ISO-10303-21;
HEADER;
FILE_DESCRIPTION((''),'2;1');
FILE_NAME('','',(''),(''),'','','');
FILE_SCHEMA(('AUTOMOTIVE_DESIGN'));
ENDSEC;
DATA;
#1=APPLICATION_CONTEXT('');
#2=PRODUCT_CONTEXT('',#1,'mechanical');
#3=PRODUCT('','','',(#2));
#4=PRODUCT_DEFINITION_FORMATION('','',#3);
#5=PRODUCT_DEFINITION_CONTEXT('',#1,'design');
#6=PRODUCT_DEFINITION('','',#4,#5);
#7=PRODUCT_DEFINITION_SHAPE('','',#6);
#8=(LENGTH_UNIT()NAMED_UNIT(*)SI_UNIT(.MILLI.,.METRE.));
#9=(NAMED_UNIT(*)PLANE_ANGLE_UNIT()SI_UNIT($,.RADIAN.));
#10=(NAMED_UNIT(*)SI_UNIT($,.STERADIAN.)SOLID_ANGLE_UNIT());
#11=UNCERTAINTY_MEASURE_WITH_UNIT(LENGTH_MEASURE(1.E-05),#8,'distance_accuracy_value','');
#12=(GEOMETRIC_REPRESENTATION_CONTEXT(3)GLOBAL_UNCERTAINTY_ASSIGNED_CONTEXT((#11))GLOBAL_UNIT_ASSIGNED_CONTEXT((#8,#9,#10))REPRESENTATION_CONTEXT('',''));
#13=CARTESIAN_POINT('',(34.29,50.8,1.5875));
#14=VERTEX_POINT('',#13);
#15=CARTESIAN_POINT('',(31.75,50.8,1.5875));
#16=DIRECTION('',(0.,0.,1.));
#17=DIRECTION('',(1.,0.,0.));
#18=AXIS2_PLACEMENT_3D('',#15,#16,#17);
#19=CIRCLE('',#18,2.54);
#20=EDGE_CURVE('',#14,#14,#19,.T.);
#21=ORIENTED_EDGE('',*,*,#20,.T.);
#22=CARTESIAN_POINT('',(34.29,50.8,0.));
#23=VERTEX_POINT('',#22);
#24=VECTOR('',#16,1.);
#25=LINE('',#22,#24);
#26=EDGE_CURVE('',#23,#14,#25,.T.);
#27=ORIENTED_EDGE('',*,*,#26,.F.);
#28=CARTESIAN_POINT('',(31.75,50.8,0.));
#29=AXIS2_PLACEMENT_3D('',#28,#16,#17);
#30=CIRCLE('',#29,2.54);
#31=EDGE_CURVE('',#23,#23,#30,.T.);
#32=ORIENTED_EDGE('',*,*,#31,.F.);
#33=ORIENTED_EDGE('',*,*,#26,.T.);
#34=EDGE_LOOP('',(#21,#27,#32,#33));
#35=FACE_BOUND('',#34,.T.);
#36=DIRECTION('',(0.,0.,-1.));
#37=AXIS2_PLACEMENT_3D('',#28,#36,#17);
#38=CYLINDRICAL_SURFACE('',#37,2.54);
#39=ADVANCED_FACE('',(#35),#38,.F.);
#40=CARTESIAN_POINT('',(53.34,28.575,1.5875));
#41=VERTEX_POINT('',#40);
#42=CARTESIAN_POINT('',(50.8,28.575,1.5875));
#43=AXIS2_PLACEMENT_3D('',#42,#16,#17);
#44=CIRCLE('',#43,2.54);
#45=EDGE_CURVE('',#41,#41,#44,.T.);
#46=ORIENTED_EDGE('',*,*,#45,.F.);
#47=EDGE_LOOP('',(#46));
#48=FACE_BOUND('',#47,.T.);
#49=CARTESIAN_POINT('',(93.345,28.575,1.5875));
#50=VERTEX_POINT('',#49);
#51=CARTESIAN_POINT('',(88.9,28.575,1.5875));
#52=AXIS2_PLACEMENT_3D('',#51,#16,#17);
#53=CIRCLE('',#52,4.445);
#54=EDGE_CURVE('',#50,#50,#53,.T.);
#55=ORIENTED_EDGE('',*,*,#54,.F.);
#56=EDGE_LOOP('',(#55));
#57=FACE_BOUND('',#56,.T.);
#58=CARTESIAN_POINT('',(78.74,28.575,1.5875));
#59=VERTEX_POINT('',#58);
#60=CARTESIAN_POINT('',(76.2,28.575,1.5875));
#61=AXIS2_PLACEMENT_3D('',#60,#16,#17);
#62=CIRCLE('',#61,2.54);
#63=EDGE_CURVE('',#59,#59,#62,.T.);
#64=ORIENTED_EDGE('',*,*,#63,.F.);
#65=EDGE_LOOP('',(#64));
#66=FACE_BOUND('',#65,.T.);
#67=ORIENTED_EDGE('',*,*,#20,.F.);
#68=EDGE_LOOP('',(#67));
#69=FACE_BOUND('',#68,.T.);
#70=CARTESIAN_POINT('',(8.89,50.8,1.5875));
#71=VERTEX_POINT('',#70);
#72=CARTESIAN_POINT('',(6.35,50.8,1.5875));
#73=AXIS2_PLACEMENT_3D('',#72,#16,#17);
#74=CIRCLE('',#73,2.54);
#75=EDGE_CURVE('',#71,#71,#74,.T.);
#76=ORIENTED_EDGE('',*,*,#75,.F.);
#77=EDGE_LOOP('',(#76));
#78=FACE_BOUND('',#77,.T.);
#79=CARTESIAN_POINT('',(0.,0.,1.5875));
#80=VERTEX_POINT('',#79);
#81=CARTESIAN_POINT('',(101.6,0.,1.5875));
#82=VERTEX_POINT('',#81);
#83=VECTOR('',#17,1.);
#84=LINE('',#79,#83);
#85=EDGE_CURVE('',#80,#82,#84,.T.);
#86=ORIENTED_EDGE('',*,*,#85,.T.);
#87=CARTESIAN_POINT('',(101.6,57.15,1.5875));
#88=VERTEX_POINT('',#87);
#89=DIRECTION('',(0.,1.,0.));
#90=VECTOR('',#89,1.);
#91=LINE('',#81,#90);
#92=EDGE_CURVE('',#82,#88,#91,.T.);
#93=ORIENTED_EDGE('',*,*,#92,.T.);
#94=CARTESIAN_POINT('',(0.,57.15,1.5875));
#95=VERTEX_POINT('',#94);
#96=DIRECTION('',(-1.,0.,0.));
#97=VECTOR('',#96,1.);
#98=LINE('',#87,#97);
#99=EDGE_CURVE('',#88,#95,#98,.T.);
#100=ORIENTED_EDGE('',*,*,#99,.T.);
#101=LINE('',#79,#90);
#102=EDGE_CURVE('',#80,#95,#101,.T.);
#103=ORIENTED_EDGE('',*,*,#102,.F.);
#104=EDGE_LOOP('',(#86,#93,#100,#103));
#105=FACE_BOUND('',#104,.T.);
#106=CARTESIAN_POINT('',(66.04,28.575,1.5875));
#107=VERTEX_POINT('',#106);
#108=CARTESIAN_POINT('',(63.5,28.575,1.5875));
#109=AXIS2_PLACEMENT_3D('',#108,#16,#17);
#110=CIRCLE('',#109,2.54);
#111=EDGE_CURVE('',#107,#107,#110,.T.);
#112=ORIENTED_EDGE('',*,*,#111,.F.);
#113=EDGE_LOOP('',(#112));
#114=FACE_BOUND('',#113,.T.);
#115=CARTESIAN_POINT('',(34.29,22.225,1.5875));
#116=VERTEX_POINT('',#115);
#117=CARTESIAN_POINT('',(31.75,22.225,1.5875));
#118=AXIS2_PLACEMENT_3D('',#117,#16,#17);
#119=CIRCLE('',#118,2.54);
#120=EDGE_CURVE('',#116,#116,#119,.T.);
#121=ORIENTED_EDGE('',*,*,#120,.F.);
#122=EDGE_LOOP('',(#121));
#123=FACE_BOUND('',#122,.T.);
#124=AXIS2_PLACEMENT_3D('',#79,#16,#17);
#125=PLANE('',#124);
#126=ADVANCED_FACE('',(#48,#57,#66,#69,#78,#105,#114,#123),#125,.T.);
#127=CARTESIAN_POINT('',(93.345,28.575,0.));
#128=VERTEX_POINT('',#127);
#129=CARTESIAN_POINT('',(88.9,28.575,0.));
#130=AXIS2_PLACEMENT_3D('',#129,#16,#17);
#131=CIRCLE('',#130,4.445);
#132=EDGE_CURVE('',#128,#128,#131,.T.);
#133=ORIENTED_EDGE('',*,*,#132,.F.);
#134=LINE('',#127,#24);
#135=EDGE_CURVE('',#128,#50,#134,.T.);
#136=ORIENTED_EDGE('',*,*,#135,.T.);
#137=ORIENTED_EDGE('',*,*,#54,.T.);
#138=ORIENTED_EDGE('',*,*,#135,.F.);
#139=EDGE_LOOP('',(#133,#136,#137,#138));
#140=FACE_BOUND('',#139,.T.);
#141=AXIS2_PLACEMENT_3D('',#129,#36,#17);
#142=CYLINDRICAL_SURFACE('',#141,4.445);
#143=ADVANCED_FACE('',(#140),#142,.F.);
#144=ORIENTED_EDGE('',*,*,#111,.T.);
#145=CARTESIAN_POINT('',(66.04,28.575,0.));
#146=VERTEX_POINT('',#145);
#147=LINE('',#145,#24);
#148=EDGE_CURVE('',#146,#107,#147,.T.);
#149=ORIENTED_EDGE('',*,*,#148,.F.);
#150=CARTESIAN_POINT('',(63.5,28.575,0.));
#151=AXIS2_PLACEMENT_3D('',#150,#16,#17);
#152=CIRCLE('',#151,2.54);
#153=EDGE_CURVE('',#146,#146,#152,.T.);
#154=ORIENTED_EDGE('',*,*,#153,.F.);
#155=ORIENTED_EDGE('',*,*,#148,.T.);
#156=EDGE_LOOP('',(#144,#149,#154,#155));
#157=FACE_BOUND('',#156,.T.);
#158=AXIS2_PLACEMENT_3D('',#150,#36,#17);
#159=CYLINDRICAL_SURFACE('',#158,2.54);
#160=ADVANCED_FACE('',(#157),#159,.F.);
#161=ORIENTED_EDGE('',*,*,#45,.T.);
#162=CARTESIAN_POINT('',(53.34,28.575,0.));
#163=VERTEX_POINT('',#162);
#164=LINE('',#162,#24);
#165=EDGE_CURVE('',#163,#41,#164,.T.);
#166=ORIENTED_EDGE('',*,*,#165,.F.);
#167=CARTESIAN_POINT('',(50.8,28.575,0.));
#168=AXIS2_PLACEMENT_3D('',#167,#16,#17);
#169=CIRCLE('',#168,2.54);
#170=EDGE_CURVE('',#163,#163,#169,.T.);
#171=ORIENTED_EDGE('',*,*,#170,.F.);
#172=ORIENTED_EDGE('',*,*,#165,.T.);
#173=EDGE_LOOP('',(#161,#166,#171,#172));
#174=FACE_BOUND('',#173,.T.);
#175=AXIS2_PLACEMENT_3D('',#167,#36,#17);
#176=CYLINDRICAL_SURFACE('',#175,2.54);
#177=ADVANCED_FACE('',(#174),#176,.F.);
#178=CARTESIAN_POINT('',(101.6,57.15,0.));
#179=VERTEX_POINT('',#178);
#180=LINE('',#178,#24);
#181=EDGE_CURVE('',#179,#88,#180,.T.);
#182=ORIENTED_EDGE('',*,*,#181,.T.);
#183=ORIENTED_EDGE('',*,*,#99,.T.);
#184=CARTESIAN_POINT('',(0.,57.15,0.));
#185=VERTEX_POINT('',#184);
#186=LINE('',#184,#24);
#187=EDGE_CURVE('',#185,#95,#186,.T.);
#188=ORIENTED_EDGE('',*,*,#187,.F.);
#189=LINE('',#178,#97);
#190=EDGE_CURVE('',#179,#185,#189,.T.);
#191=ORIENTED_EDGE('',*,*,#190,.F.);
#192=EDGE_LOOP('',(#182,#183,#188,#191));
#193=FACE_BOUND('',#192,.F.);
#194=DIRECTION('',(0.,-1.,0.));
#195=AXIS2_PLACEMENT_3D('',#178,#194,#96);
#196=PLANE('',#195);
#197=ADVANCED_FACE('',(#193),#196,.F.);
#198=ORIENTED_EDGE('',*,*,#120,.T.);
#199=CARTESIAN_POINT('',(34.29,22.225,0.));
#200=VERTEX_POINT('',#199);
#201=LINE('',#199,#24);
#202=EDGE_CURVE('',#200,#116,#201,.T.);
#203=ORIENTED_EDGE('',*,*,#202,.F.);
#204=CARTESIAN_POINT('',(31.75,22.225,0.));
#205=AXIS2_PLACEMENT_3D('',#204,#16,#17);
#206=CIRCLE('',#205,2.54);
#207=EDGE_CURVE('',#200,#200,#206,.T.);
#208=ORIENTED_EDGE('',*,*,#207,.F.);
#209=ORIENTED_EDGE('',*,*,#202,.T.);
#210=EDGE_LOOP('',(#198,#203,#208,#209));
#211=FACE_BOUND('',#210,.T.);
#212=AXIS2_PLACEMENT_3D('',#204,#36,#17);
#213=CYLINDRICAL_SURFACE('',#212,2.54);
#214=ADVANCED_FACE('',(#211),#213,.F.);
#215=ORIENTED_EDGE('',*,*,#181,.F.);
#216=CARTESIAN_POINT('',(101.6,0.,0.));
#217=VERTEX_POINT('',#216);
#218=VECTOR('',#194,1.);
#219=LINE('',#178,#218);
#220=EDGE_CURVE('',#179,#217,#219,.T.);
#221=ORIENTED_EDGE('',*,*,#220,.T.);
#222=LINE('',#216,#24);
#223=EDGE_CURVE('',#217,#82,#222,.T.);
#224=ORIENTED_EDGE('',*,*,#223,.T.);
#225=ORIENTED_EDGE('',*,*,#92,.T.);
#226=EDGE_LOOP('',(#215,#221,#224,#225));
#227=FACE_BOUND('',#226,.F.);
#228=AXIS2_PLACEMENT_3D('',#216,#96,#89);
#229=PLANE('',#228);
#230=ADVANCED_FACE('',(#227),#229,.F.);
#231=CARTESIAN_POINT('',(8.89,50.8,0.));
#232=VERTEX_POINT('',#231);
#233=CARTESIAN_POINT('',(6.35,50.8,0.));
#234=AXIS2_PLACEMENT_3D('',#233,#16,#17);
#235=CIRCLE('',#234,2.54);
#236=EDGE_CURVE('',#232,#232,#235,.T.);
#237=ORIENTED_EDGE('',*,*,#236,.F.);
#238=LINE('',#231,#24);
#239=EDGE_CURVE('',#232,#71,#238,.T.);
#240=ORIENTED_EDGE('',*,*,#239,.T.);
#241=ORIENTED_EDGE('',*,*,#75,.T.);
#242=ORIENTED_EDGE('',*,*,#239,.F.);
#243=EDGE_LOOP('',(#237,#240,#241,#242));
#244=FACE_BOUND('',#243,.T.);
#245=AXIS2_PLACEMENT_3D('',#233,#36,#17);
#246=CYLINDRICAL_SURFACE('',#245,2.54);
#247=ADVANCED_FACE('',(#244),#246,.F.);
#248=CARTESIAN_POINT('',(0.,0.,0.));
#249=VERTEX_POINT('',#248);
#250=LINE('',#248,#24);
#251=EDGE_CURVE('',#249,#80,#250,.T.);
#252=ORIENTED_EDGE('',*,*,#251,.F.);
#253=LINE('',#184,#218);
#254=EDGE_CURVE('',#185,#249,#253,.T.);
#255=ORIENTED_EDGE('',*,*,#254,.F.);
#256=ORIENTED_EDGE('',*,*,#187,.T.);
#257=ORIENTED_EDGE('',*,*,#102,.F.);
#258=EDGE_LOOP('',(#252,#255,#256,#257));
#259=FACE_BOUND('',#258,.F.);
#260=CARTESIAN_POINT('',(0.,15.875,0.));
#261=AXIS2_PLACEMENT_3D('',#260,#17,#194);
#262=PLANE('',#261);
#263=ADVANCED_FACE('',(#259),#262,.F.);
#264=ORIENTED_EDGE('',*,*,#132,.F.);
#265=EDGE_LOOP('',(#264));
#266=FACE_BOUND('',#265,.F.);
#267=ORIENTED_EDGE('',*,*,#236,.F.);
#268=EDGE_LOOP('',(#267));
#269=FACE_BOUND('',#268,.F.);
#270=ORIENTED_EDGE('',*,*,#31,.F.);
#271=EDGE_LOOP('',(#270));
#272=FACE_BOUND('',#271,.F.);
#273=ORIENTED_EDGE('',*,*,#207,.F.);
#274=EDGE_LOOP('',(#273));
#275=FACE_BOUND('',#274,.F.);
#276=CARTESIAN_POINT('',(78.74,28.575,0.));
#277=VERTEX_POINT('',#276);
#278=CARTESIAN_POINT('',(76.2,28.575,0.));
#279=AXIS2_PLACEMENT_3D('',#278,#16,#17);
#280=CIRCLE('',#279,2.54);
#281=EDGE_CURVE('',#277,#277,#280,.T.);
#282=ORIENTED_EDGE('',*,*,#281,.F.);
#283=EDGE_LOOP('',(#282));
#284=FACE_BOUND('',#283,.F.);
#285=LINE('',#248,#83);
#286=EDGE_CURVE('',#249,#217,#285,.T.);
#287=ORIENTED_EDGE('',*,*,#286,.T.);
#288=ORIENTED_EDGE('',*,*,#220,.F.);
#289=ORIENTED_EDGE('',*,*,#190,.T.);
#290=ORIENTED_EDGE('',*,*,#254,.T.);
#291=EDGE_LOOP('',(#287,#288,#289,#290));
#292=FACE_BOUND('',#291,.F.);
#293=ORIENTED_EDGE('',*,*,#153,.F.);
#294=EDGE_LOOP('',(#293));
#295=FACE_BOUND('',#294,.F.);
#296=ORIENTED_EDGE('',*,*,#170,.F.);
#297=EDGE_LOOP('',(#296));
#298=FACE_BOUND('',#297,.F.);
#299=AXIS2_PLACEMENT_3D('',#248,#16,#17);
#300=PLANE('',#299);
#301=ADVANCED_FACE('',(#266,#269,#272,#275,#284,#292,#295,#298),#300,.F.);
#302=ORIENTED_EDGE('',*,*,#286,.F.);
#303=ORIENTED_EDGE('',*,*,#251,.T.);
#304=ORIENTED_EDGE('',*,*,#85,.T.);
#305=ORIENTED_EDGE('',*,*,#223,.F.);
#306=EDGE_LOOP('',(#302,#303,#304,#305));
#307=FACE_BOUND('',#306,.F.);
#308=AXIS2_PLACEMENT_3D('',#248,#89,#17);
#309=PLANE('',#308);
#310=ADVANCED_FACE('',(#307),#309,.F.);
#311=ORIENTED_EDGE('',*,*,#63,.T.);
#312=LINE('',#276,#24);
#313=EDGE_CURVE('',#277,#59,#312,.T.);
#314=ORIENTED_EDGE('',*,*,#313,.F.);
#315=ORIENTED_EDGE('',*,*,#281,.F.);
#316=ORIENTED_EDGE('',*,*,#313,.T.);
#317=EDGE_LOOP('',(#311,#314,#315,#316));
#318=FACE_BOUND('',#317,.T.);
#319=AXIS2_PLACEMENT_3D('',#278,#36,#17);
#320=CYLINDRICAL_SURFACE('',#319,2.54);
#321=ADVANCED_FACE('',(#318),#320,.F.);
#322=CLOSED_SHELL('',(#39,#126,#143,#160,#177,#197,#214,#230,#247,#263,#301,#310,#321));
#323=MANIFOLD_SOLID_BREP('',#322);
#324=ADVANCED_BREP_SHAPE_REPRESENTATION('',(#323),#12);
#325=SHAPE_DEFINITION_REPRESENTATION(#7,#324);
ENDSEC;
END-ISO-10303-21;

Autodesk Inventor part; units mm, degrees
ref_plane "YZ Plane" through (0, 0, 0) normal (1, 0, 0) x (0, 1, 0)
ref_plane "XZ Plane" through (0, 0, 0) normal (0, 1, 0) x (-1, 0, 0)
ref_plane "XY Plane" through (0, 0, 0) normal (0, 0, 1) x (1, 0, 0)
sketch "Sketch1" plane through (0, 0, 0) normal (0, 0, 1) x (1, 0, 0)
  line L0 (0, 0) -> (101.6, 0)
  line L1 (101.6, 0) -> (101.6, 57.15)
  line L2 (101.6, 57.15) -> (0, 57.15)
  line L3 (0, 57.15) -> (0, 0)
  line L4 (2.6205, 15.875) -> (101.6, 15.875)
  line L5 (2.6205, 15.875) -> (0, 15.875)
  circle A0 centre (88.9, 28.575) radius 4.445
  circle A1 centre (76.2, 28.575) radius 2.54
  circle A2 centre (63.5, 28.575) radius 2.54
  circle A3 centre (50.8, 28.575) radius 2.54
  circle A4 centre (31.75, 22.225) radius 2.54
  circle A5 centre (6.35, 50.8) radius 2.54
  circle A6 centre (31.75, 50.8) radius 2.54
  dimension "d0" = 101.6
  dimension "d1" = 57.15
  dimension "d7" = 8.89
  dimension "d11" = 5.08
  dimension "d12" = 5.08
  dimension "d13" = 5.08
  dimension "d16" = 5.08
  dimension "d21" = 5.08
  dimension "d23" = 5.08
extrude "Extrusion2" add sketch "Sketch1" along normal blind 1.5875
properties part number "flatPoly2ForCNC"
